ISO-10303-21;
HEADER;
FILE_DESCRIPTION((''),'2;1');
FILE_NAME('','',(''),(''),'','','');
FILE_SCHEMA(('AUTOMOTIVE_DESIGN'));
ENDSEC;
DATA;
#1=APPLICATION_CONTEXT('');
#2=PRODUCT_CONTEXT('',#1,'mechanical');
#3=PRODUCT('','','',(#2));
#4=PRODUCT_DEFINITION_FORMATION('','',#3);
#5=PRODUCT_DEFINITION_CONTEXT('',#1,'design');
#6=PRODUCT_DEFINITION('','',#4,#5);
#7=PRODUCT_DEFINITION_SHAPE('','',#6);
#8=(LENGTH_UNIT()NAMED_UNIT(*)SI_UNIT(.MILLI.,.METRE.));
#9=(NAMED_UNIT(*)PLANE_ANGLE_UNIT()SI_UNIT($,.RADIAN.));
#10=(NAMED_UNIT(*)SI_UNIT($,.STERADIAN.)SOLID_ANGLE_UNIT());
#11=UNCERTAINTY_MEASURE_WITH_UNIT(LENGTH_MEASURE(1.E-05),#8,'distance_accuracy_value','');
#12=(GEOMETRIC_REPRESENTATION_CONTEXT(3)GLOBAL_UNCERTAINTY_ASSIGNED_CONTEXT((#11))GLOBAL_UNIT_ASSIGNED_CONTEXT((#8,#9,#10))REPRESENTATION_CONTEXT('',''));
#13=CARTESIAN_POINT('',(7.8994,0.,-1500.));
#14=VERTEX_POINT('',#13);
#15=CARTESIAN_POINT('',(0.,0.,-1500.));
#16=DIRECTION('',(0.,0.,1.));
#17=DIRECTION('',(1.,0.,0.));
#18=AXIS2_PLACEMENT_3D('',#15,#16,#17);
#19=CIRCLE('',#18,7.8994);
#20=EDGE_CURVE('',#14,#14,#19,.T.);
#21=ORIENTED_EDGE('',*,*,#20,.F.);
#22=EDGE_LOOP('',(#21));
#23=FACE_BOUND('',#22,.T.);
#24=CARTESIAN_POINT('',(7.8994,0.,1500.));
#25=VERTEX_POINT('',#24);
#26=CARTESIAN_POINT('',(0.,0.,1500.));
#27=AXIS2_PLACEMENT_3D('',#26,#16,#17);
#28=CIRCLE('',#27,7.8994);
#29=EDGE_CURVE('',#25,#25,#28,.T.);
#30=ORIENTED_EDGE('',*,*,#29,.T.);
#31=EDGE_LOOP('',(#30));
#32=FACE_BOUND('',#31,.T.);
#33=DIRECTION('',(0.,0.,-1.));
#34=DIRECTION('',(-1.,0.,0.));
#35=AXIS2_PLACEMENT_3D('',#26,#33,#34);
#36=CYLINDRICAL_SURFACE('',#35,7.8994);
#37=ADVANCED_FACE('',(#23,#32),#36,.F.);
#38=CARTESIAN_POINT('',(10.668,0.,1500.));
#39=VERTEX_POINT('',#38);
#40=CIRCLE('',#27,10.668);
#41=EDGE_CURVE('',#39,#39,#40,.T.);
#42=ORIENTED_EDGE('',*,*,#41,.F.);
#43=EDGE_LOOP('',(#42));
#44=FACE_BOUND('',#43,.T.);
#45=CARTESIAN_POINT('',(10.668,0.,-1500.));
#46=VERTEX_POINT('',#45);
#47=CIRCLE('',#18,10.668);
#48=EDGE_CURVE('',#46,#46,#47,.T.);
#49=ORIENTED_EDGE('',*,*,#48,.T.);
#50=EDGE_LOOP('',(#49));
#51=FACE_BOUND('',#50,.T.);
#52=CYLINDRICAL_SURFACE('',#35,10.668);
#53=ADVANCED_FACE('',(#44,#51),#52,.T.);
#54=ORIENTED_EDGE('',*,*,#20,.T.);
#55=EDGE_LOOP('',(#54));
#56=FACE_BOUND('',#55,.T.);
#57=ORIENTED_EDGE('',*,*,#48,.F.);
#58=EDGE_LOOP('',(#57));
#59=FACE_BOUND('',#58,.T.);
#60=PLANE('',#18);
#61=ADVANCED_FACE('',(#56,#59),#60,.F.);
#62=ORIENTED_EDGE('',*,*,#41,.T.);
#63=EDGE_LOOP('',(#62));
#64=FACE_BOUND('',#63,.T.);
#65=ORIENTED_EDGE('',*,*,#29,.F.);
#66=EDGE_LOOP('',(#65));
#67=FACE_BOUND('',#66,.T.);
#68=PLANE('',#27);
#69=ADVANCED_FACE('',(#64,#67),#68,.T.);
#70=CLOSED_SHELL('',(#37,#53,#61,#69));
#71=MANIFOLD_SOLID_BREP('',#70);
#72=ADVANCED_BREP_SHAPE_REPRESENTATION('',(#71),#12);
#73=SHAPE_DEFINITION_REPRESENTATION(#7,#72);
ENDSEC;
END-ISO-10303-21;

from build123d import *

# Parameters (mm, degrees)
SKETCH1_R           = 10.668
SKETCH1_R_2         = 7.8994
EXTRUDE_THIN1_DEPTH = 1500


with BuildPart() as part:
    # Sketch1 → Extrude-Thin1 (new, symmetric)
    with BuildSketch(Plane.XY):
        Circle(SKETCH1_R)
        Circle(SKETCH1_R_2, mode=Mode.SUBTRACT)
    extrude(amount=EXTRUDE_THIN1_DEPTH, both=True)


solid = part.part
